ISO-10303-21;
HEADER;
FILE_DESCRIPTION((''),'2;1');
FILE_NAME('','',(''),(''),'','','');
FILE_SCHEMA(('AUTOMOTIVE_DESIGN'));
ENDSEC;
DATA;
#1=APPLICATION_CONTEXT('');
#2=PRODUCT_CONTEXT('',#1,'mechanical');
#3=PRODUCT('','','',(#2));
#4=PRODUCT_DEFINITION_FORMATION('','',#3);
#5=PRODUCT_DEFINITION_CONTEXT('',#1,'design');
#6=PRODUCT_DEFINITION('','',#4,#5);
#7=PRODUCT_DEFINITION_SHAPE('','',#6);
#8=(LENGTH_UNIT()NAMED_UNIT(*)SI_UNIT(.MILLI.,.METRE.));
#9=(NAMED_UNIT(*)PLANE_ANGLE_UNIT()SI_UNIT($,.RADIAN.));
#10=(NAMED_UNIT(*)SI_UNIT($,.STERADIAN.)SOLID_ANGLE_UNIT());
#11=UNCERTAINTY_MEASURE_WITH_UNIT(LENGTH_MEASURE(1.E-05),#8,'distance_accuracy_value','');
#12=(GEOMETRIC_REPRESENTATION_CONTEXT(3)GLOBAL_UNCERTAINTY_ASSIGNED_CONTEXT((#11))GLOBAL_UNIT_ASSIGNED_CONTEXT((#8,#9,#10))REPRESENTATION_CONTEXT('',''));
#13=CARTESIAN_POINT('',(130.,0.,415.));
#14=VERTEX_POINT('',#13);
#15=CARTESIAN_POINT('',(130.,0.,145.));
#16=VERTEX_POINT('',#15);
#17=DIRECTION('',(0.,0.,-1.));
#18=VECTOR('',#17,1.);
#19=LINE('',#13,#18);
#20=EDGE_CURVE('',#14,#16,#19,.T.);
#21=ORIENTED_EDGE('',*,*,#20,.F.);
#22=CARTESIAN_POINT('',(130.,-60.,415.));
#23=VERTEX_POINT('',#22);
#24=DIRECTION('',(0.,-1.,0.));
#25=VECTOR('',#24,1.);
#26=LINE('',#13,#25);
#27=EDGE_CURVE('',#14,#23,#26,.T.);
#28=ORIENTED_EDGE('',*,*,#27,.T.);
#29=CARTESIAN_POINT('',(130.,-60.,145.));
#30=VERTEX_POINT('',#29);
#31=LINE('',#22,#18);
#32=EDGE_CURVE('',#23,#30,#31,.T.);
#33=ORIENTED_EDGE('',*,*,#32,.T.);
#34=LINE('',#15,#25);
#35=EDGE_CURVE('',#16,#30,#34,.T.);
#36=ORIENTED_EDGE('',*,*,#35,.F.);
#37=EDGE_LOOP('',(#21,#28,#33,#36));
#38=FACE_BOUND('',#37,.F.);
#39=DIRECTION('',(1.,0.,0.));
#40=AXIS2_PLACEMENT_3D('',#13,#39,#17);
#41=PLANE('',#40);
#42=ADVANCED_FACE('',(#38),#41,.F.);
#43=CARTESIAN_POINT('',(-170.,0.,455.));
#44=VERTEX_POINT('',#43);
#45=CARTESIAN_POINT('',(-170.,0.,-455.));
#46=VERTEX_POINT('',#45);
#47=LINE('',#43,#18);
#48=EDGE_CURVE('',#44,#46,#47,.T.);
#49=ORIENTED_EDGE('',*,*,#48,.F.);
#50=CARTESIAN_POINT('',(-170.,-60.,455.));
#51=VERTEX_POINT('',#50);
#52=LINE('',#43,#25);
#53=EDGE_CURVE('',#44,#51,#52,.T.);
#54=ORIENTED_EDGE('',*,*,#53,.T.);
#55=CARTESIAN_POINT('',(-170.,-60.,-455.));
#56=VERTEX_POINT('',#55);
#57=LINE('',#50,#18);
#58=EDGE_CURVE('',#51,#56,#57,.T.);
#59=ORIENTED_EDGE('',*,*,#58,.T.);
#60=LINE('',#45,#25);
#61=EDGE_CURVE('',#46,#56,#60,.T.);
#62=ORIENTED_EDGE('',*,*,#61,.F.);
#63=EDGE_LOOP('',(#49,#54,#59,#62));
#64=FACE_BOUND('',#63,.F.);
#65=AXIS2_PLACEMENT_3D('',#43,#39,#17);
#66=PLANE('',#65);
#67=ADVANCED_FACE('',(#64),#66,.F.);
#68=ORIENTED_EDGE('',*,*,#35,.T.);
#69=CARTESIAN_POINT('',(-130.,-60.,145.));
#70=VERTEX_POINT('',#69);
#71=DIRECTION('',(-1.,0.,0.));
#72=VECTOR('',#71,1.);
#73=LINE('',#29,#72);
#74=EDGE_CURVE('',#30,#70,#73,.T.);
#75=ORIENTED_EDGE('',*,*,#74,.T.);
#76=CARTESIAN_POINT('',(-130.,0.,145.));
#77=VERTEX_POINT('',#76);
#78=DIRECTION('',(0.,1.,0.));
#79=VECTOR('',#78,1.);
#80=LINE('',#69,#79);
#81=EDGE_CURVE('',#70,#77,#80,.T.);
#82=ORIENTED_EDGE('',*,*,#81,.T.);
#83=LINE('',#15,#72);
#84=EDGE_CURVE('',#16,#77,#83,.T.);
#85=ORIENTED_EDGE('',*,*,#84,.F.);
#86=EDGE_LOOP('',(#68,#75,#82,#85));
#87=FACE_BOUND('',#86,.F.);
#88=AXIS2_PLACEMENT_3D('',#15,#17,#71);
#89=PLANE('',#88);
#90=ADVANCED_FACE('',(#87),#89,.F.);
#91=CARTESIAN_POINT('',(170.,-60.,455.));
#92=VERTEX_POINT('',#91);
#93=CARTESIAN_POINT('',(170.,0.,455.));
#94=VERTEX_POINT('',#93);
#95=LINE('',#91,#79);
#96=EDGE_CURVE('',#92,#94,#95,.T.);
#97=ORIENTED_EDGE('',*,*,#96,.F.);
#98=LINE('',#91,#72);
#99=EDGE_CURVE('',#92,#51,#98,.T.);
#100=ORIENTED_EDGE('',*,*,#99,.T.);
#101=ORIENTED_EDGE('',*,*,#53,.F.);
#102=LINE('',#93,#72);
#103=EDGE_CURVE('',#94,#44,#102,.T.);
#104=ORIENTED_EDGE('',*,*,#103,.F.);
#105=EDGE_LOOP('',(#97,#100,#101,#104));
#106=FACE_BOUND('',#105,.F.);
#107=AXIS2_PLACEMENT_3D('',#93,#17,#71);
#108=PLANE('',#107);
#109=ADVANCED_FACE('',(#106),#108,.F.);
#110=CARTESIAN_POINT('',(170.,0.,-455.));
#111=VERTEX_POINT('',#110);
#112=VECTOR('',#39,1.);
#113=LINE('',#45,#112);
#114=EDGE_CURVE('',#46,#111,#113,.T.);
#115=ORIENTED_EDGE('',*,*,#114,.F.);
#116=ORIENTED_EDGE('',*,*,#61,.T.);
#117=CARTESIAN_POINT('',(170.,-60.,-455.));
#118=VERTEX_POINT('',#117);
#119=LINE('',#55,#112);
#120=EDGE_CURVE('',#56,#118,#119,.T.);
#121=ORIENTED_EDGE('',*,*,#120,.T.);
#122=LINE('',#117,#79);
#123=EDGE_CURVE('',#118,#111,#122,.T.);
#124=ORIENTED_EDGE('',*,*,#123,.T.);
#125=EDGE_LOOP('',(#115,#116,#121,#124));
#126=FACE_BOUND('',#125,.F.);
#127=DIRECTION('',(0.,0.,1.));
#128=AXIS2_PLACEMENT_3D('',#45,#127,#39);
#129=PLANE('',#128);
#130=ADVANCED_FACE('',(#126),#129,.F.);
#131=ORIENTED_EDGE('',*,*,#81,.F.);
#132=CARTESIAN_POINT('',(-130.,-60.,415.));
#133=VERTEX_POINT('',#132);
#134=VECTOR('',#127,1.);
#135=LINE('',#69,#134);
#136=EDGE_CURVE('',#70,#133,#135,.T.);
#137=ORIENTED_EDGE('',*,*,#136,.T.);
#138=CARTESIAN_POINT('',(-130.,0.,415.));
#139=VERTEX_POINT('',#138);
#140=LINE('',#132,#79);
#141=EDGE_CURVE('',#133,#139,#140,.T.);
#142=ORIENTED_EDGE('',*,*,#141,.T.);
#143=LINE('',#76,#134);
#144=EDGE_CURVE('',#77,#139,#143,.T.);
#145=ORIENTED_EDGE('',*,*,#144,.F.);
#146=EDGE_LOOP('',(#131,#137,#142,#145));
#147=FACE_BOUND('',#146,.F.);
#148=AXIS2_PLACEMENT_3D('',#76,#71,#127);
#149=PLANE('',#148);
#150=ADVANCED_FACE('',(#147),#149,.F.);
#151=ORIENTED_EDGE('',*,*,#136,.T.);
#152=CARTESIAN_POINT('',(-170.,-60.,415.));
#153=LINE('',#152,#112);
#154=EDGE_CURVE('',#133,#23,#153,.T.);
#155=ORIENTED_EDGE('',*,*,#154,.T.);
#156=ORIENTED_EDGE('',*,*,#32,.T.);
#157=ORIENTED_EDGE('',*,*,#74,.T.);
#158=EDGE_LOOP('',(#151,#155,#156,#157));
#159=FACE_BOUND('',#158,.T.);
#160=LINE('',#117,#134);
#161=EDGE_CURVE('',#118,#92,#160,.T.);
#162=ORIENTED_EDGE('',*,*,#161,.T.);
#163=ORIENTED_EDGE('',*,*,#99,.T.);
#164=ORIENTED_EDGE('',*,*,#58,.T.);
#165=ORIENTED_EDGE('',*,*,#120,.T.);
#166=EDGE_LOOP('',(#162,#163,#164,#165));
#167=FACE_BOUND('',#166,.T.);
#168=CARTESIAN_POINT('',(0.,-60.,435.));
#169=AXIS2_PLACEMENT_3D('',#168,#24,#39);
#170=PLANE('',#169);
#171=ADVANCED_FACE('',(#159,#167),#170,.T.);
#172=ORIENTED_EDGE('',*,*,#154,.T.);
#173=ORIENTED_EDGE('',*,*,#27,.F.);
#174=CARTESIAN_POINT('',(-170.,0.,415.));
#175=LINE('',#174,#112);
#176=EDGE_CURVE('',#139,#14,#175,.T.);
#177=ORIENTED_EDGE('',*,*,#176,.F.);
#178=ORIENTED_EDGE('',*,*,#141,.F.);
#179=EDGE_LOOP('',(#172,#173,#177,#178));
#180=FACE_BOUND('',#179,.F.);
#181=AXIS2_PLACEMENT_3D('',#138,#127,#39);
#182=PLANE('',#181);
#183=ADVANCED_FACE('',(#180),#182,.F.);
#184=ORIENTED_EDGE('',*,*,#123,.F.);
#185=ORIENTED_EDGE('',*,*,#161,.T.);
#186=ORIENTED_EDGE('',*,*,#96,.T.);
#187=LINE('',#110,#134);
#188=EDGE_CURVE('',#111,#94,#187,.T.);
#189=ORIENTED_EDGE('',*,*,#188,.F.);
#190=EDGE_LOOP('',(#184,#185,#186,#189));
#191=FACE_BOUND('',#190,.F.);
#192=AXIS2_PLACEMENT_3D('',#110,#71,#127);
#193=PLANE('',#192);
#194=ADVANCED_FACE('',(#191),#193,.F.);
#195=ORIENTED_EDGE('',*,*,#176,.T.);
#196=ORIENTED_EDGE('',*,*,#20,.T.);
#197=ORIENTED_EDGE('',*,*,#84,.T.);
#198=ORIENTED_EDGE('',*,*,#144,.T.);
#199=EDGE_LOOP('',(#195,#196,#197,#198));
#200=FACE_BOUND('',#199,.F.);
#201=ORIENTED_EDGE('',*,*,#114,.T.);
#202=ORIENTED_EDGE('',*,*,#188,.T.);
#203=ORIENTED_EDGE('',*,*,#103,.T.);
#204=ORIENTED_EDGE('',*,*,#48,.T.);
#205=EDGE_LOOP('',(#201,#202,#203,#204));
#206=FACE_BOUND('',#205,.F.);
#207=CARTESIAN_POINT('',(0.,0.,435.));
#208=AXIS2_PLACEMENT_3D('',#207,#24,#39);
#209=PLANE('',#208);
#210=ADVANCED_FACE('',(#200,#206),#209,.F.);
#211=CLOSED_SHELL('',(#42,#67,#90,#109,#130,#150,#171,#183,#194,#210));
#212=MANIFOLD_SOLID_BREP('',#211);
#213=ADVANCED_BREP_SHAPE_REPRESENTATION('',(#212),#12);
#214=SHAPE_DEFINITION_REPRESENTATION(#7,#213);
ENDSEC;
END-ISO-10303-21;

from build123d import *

# Parameters (mm, degrees)
F0_W     = 260
F0_H     = 40
F0_W_2   = 40
F0_W_3   = 220
F0_H_2   = 50
F0_H_3   = 490
F1_DEPTH = 60
F3_DEPTH = 40


with BuildPart() as f1:
    # F0 (on Front) → F1 (new body)
    with BuildSketch(Plane.XZ):
        with Locations((0, 435)):
            Rectangle(F0_W, F0_H)
        with Locations((150, 435)):
            Rectangle(F0_W_2, F0_H)
        with Locations((-150, 435)):
            Rectangle(F0_W_2, F0_H)
        Polygon((-130, 145), (-130, 415), (-170, 415), (-170, -395), (-110, -395), (-110, 95), (-110, 145), align=None)
        Polygon((170, -395), (170, 415), (130, 415), (130, 145), (110, 145), (110, 95), (110, -395), align=None)
        with Locations((0, 120)):
            Rectangle(F0_W_3, F0_H_2)
        Polygon((170, -455), (170, -395), (110, -395), (-110, -395), (-170, -395), (-170, -455), align=None)
        with Locations((0, -150)):
            Rectangle(F0_W_3, F0_H_3)
    extrude(amount=F1_DEPTH)

    # F2 (on face) → F3 (join)
    with BuildSketch(Plane.XZ.offset(60)):
        Polygon((-130, 145), (-130, 415), (130, 415), (130, 145), (130, 115), (170, 115), (170, 455), (-170, 455), (-170, 115), (-130, 115), align=None)
        Polygon((-130, 85), (-130, 115), (-170, 115), (-170, -455), (170, -455), (170, 115), (130, 115), (130, 85), align=None)
    extrude(amount=-F3_DEPTH)


solid = f1.part
